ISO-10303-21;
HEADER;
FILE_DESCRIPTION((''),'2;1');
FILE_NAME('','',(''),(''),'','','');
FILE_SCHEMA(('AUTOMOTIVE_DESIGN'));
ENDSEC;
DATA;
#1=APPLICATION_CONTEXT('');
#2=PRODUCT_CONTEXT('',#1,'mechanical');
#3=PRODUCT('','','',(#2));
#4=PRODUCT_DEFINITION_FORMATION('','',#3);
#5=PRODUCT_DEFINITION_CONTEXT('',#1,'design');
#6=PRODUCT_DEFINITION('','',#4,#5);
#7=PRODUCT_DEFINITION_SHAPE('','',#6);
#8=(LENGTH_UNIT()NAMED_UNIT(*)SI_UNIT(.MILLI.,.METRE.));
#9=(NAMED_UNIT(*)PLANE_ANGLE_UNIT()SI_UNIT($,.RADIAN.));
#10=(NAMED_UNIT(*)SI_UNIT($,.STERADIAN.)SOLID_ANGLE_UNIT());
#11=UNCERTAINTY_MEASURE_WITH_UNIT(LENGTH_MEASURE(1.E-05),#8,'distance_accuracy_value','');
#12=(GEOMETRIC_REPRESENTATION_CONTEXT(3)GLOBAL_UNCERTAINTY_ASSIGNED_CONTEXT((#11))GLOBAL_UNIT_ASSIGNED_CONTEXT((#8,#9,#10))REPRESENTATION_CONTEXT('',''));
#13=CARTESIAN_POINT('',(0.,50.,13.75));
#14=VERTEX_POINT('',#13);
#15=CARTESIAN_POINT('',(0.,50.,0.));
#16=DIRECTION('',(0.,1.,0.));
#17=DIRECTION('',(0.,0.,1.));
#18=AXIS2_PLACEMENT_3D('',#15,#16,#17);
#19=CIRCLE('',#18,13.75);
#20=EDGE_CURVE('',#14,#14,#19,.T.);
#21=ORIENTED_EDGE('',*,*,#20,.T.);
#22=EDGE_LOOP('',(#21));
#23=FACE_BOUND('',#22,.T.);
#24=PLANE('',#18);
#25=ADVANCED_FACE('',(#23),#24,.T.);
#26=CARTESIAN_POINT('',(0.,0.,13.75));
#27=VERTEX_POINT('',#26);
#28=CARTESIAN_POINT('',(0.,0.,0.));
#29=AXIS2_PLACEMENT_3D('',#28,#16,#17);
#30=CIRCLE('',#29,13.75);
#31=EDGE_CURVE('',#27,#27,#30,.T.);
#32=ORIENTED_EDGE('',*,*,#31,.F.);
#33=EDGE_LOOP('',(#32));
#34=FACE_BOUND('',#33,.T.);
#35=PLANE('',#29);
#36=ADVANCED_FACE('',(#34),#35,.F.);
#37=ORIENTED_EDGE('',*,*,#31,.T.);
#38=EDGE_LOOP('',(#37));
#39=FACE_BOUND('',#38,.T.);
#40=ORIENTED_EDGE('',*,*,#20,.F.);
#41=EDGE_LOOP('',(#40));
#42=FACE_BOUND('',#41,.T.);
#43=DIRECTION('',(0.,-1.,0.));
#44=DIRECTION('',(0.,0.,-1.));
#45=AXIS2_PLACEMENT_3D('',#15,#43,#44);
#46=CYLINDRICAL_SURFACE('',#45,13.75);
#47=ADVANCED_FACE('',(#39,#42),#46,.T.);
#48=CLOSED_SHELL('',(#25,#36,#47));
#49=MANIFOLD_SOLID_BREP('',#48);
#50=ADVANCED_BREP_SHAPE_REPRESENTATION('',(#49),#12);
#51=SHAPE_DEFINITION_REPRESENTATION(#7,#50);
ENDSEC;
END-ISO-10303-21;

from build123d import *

# Parameters (mm, degrees)
SKETCH1_R           = 13.75
BOSS_EXTRUDE1_DEPTH = 50


with BuildPart() as part:
    # Sketch1 → Boss-Extrude1 (new body)
    with BuildSketch(Plane(origin=(0, 0, 0), x_dir=(1, 0, 0), z_dir=(0, 1, 0))):
        with Locations(Location((0, 0, 0), (0, 0, 270))):
            Circle(SKETCH1_R)
    extrude(amount=BOSS_EXTRUDE1_DEPTH)


solid = part.part
